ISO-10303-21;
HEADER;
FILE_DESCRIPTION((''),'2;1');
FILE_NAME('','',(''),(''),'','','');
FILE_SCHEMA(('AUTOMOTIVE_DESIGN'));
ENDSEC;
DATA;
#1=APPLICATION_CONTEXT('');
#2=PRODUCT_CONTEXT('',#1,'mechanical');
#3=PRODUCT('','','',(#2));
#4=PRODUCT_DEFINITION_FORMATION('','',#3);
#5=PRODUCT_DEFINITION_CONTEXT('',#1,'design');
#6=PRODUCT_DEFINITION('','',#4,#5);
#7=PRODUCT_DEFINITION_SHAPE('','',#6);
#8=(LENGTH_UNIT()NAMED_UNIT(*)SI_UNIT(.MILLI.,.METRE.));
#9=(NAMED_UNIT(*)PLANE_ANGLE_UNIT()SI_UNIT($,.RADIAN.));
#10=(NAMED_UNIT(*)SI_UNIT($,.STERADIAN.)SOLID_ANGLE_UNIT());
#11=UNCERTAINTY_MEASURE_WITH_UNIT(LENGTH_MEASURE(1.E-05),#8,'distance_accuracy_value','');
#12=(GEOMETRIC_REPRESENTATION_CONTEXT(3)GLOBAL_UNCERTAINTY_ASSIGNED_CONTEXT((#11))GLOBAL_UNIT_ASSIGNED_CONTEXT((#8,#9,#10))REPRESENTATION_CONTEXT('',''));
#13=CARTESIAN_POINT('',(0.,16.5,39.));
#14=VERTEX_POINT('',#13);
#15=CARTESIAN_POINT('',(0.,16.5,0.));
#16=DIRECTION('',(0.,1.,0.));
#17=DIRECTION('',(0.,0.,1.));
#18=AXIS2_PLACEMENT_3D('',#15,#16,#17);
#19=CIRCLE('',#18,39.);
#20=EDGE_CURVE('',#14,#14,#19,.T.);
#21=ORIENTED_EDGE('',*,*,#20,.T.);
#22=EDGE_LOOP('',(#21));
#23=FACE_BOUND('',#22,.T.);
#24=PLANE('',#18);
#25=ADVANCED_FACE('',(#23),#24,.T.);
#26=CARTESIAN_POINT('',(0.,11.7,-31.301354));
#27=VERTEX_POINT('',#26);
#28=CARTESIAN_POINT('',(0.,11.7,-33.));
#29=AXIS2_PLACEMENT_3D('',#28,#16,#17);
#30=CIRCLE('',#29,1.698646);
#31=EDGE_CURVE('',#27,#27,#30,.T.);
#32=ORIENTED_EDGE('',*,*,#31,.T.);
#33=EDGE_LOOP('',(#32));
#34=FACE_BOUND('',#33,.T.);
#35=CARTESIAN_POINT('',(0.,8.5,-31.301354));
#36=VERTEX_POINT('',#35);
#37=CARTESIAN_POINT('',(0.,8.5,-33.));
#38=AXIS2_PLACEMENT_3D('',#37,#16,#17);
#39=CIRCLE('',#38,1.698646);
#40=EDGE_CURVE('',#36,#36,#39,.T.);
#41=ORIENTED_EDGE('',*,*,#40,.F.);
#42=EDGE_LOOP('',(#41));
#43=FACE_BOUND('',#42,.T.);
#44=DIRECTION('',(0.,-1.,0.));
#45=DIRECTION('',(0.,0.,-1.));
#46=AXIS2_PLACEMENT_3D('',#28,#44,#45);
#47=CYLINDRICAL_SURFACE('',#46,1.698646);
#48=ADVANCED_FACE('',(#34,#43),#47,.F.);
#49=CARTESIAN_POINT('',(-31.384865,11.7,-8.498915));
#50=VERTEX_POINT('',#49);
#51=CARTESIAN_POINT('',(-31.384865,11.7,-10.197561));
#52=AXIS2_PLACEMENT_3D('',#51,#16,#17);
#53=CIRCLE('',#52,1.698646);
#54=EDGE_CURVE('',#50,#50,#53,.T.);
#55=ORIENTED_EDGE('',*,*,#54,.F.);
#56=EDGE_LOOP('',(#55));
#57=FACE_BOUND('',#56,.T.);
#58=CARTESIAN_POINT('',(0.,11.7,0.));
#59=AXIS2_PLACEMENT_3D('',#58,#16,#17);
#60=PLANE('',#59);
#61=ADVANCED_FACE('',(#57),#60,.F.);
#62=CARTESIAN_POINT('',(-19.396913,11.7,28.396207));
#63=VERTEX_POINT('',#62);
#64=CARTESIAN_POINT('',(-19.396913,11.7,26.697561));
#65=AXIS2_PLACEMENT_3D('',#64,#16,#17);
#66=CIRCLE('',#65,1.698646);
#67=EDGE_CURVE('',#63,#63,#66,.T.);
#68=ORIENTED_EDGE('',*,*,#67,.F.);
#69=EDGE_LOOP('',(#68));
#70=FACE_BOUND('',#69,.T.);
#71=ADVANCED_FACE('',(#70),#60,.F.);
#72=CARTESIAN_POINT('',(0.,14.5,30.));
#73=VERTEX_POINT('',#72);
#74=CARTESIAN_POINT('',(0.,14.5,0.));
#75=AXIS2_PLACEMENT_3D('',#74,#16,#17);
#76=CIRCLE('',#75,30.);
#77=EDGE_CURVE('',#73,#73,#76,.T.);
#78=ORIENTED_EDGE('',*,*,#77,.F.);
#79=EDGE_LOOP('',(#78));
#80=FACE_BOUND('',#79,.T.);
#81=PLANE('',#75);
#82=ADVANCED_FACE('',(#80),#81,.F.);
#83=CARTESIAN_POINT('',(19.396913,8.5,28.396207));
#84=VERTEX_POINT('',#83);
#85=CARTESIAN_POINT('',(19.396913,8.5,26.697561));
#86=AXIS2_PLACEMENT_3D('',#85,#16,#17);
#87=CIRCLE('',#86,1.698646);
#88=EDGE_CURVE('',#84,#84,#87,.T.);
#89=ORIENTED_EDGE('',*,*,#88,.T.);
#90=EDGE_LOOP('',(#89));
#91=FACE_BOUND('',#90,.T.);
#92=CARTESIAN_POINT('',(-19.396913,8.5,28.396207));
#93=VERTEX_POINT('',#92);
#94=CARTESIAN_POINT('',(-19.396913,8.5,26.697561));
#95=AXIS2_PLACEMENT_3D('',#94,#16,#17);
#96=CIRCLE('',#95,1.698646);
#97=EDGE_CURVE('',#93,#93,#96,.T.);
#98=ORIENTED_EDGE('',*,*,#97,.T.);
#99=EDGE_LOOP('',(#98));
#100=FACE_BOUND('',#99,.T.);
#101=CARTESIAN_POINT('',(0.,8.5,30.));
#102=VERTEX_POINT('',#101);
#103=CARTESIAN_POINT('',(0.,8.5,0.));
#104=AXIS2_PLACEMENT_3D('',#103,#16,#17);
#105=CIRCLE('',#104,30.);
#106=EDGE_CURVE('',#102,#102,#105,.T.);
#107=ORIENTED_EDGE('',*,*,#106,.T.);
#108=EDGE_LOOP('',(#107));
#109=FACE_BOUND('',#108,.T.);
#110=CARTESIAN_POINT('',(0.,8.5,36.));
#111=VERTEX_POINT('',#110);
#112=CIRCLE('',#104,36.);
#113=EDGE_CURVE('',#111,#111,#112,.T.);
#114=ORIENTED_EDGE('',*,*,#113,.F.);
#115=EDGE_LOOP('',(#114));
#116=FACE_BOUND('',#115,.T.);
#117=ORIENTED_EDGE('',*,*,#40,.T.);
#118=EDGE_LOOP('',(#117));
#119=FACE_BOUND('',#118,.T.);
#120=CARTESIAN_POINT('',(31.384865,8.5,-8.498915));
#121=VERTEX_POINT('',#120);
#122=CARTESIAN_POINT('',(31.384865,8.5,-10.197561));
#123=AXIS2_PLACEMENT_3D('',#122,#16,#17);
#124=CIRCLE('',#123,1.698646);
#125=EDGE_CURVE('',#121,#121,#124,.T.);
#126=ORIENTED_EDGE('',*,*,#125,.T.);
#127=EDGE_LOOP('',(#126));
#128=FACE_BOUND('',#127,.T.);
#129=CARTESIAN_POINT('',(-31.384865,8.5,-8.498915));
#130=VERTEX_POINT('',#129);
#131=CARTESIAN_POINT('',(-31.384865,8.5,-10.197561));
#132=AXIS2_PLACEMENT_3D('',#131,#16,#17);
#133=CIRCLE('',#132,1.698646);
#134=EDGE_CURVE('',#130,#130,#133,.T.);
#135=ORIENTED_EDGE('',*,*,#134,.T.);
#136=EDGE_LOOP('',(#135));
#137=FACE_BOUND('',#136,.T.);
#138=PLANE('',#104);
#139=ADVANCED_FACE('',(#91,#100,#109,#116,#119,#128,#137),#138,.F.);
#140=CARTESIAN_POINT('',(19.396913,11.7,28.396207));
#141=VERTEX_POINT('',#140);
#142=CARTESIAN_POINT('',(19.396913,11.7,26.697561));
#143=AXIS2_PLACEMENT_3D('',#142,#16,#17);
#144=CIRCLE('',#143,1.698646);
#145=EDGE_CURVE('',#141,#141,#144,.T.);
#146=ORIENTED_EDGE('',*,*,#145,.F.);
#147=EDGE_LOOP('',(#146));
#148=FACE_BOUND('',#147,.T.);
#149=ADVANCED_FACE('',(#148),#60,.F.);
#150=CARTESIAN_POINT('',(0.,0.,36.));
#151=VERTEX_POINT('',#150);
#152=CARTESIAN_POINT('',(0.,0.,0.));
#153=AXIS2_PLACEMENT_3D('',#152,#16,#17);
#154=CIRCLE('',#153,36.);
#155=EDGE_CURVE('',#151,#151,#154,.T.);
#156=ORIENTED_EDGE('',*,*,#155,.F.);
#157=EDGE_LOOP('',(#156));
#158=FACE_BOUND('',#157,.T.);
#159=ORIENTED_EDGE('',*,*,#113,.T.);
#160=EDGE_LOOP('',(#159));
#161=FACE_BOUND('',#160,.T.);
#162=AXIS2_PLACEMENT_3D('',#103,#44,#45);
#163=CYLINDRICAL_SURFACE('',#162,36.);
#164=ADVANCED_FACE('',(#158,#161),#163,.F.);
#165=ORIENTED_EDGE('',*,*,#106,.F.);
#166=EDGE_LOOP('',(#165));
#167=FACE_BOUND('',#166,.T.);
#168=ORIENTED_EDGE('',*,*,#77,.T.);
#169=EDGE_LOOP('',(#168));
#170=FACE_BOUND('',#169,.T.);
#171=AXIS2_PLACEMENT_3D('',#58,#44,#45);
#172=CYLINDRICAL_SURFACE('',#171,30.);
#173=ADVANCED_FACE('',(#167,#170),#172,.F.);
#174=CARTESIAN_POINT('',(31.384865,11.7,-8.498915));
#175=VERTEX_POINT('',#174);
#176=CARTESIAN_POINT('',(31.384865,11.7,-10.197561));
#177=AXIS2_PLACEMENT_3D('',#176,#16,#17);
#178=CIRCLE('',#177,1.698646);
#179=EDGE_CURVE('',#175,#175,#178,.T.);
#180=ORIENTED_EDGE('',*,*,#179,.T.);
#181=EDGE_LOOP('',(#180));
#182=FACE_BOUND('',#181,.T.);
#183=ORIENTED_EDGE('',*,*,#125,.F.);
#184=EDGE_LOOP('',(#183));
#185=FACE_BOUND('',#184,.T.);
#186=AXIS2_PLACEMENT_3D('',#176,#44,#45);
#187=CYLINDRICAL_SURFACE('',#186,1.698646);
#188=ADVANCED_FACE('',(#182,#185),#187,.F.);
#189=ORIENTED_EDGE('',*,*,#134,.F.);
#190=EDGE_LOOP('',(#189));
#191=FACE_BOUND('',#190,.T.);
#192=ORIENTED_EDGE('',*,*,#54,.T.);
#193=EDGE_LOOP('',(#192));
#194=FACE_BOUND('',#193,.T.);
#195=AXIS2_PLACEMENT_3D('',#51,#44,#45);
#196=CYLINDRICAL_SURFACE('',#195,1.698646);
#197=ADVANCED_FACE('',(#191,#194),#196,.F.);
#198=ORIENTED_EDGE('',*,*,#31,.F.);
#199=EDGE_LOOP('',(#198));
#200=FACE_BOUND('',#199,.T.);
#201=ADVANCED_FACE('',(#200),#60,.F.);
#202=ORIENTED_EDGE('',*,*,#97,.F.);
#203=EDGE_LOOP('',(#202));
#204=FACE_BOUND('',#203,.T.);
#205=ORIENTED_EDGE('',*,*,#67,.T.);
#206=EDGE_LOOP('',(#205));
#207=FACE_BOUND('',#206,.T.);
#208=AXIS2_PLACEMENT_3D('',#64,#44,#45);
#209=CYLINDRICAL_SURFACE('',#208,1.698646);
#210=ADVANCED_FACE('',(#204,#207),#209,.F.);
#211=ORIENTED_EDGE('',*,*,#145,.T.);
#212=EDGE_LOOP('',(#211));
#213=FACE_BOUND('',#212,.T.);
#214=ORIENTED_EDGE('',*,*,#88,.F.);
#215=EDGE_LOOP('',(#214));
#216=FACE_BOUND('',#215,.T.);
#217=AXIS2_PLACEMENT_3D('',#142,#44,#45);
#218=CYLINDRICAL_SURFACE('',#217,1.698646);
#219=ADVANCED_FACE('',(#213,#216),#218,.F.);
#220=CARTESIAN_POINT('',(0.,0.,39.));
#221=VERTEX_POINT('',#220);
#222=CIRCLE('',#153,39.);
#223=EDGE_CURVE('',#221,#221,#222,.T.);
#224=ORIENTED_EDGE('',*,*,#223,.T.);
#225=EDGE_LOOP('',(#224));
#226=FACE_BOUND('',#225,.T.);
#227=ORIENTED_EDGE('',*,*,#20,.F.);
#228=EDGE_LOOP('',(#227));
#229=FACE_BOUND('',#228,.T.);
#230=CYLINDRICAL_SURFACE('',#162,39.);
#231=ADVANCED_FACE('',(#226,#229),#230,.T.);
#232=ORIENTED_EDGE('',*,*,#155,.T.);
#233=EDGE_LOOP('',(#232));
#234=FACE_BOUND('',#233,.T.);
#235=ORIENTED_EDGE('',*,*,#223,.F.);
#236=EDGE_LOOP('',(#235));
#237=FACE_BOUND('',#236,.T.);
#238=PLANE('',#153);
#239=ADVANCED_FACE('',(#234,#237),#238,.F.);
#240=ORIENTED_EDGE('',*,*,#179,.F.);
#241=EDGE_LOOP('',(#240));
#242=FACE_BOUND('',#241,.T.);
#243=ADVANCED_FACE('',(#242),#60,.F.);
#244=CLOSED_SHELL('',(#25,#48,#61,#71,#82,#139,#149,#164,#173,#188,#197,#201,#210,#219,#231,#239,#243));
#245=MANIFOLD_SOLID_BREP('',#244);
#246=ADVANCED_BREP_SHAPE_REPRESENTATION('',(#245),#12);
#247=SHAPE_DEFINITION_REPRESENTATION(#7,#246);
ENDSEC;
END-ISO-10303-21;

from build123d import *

# Parameters (mm, degrees)
SKETCH1_R           = 39
SKETCH1_R_2         = 36
BOSS_EXTRUDE2_DEPTH = 8.5
SKETCH2_R           = 39
SKETCH2_R_2         = 30
SKETCH2_R_3         = 1.698645883
BOSS_EXTRUDE3_DEPTH = 3.2
SKETCH4_R           = 39
SKETCH4_R_2         = 30
BOSS_EXTRUDE6_DEPTH = 2.8
SKETCH11_R          = 39
BOSS_EXTRUDE7_DEPTH = 2


with BuildPart() as part:
    # Sketch1 → Boss-Extrude2 (new body)
    with BuildSketch(Plane(origin=(0, 0, 0), x_dir=(1, 0, 0), z_dir=(0, 1, 0))):
        Circle(SKETCH1_R)
        Circle(SKETCH1_R_2, mode=Mode.SUBTRACT)
    extrude(amount=BOSS_EXTRUDE2_DEPTH)

    # Sketch2 → Boss-Extrude3 (add)
    with BuildSketch(Plane(origin=(0, 8.5, 0), x_dir=(1, 0, 0), z_dir=(0, 1, 0))):
        Circle(SKETCH2_R)
        Circle(SKETCH2_R_2, mode=Mode.SUBTRACT)
        with Locations((0, 33)):
            Circle(SKETCH2_R_3, mode=Mode.SUBTRACT)
        with Locations((31.384865038, 10.197560814)):
            Circle(SKETCH2_R_3, mode=Mode.SUBTRACT)
        with Locations((19.396913326, -26.697560814)):
            Circle(SKETCH2_R_3, mode=Mode.SUBTRACT)
        with Locations((-19.396913326, -26.697560814)):
            Circle(SKETCH2_R_3, mode=Mode.SUBTRACT)
        with Locations((-31.384865038, 10.197560814)):
            Circle(SKETCH2_R_3, mode=Mode.SUBTRACT)
    extrude(amount=BOSS_EXTRUDE3_DEPTH)

    # Sketch4 → Boss-Extrude6 (add)
    with BuildSketch(Plane(origin=(0, 11.7, 0), x_dir=(1, 0, 0), z_dir=(0, 1, 0))):
        Circle(SKETCH4_R)
        Circle(SKETCH4_R_2, mode=Mode.SUBTRACT)
    extrude(amount=BOSS_EXTRUDE6_DEPTH)

    # Sketch11 → Boss-Extrude7 (add)
    with BuildSketch(Plane(origin=(0, 14.5, 0), x_dir=(1, 0, 0), z_dir=(0, 1, 0))):
        Circle(SKETCH11_R)
    extrude(amount=BOSS_EXTRUDE7_DEPTH)


solid = part.part
